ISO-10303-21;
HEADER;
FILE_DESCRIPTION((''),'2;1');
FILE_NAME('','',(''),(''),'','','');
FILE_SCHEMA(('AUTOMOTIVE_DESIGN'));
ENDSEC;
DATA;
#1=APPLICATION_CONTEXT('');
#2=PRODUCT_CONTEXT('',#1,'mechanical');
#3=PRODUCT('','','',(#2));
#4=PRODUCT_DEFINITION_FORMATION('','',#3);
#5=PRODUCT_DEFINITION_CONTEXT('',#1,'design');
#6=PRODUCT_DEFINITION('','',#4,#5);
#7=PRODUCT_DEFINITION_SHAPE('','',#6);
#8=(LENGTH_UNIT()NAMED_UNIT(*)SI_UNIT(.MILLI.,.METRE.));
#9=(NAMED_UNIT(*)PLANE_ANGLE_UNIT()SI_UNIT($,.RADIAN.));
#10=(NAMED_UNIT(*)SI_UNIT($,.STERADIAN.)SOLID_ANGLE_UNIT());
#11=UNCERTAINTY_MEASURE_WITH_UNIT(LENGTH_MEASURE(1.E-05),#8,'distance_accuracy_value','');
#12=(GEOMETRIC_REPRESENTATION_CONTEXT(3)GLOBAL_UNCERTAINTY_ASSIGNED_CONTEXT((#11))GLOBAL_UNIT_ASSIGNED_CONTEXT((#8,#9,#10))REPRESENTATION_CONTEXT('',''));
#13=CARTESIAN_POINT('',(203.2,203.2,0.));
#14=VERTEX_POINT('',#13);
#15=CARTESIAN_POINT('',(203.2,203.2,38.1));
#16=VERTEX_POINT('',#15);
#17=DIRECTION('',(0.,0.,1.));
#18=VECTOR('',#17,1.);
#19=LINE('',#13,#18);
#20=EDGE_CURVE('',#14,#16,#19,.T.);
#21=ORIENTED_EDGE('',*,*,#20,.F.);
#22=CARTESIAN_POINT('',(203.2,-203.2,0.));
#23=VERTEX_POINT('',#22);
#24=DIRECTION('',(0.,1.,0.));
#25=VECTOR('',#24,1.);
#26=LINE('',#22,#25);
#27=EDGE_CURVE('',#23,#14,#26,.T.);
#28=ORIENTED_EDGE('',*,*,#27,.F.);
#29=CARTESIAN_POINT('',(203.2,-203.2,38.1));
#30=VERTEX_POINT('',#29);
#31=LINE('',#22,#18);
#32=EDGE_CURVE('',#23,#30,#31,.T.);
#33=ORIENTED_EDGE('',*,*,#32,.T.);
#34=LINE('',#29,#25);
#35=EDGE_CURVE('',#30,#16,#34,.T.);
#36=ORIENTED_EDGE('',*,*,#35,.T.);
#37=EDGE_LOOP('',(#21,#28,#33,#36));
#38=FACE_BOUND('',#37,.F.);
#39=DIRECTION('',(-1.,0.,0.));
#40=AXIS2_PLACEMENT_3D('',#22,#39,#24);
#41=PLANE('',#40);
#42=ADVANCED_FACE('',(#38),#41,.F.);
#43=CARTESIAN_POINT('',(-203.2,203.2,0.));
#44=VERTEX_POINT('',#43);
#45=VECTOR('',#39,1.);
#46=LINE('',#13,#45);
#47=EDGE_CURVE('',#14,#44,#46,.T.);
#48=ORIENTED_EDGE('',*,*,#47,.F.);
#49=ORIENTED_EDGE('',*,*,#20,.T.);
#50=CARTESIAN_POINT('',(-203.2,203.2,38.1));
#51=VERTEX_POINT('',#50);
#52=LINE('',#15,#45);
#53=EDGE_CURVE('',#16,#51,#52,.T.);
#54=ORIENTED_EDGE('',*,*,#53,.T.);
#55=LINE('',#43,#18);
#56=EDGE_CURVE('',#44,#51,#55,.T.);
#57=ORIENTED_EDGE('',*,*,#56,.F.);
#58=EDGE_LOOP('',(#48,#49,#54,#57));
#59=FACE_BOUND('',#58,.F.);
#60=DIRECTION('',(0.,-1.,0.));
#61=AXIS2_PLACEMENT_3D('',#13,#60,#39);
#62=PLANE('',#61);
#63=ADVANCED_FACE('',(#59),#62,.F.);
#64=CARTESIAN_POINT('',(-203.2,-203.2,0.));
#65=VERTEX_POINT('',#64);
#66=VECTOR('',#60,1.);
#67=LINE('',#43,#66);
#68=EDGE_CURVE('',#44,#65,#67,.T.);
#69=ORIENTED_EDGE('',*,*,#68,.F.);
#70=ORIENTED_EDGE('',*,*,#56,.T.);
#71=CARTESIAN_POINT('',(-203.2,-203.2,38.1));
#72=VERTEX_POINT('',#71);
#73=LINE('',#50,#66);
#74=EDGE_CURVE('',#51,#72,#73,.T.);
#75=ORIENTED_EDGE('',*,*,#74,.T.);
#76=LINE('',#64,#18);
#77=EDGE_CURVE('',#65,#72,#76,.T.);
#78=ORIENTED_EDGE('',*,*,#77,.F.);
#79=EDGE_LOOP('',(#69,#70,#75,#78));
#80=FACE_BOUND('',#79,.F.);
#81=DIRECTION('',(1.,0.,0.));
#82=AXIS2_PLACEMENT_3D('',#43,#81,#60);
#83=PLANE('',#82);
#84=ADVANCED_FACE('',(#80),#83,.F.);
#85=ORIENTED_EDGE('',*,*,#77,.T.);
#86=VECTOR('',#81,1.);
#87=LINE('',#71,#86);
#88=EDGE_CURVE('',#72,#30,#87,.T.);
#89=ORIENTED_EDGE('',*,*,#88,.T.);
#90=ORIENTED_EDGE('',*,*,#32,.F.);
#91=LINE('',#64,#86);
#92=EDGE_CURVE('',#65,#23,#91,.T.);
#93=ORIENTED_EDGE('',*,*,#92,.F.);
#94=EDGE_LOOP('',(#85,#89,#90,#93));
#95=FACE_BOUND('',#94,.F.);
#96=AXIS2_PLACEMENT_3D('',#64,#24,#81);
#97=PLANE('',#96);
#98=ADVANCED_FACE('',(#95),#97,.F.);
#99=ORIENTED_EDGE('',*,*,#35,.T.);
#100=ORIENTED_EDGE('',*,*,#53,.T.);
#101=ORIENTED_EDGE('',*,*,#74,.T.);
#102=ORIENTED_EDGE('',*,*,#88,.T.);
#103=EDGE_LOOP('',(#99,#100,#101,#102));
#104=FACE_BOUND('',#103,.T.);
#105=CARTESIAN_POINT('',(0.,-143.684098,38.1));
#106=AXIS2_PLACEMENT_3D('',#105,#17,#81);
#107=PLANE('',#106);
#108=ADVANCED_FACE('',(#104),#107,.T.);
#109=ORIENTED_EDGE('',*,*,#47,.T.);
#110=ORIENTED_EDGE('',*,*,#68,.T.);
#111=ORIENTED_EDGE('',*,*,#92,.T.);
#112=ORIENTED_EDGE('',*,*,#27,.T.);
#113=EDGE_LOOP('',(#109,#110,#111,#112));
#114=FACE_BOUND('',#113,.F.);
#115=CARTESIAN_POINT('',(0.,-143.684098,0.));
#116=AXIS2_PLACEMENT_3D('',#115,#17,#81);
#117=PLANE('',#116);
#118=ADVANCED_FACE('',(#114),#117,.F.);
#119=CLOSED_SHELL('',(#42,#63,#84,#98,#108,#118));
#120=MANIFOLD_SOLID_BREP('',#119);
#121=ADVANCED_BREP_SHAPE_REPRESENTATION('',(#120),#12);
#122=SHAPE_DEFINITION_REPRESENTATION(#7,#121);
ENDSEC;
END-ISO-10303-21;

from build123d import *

# Parameters (mm, degrees)
F1_DEPTH = 38.1


with BuildPart() as f1:
    # F0 (on Top) → F1 (new body)
    with BuildSketch(Plane.XY):
        Polygon((-203.2, -203.2), (203.2, -203.2), (0, 0), align=None)
        Polygon((203.2, -203.2), (203.2, 203.2), (0, 0), align=None)
        Polygon((0, 0), (-203.2, 203.2), (-203.2, -203.2), align=None)
        Polygon((0, 0), (203.2, 203.2), (-203.2, 203.2), align=None)
    extrude(amount=F1_DEPTH)


solid = f1.part
